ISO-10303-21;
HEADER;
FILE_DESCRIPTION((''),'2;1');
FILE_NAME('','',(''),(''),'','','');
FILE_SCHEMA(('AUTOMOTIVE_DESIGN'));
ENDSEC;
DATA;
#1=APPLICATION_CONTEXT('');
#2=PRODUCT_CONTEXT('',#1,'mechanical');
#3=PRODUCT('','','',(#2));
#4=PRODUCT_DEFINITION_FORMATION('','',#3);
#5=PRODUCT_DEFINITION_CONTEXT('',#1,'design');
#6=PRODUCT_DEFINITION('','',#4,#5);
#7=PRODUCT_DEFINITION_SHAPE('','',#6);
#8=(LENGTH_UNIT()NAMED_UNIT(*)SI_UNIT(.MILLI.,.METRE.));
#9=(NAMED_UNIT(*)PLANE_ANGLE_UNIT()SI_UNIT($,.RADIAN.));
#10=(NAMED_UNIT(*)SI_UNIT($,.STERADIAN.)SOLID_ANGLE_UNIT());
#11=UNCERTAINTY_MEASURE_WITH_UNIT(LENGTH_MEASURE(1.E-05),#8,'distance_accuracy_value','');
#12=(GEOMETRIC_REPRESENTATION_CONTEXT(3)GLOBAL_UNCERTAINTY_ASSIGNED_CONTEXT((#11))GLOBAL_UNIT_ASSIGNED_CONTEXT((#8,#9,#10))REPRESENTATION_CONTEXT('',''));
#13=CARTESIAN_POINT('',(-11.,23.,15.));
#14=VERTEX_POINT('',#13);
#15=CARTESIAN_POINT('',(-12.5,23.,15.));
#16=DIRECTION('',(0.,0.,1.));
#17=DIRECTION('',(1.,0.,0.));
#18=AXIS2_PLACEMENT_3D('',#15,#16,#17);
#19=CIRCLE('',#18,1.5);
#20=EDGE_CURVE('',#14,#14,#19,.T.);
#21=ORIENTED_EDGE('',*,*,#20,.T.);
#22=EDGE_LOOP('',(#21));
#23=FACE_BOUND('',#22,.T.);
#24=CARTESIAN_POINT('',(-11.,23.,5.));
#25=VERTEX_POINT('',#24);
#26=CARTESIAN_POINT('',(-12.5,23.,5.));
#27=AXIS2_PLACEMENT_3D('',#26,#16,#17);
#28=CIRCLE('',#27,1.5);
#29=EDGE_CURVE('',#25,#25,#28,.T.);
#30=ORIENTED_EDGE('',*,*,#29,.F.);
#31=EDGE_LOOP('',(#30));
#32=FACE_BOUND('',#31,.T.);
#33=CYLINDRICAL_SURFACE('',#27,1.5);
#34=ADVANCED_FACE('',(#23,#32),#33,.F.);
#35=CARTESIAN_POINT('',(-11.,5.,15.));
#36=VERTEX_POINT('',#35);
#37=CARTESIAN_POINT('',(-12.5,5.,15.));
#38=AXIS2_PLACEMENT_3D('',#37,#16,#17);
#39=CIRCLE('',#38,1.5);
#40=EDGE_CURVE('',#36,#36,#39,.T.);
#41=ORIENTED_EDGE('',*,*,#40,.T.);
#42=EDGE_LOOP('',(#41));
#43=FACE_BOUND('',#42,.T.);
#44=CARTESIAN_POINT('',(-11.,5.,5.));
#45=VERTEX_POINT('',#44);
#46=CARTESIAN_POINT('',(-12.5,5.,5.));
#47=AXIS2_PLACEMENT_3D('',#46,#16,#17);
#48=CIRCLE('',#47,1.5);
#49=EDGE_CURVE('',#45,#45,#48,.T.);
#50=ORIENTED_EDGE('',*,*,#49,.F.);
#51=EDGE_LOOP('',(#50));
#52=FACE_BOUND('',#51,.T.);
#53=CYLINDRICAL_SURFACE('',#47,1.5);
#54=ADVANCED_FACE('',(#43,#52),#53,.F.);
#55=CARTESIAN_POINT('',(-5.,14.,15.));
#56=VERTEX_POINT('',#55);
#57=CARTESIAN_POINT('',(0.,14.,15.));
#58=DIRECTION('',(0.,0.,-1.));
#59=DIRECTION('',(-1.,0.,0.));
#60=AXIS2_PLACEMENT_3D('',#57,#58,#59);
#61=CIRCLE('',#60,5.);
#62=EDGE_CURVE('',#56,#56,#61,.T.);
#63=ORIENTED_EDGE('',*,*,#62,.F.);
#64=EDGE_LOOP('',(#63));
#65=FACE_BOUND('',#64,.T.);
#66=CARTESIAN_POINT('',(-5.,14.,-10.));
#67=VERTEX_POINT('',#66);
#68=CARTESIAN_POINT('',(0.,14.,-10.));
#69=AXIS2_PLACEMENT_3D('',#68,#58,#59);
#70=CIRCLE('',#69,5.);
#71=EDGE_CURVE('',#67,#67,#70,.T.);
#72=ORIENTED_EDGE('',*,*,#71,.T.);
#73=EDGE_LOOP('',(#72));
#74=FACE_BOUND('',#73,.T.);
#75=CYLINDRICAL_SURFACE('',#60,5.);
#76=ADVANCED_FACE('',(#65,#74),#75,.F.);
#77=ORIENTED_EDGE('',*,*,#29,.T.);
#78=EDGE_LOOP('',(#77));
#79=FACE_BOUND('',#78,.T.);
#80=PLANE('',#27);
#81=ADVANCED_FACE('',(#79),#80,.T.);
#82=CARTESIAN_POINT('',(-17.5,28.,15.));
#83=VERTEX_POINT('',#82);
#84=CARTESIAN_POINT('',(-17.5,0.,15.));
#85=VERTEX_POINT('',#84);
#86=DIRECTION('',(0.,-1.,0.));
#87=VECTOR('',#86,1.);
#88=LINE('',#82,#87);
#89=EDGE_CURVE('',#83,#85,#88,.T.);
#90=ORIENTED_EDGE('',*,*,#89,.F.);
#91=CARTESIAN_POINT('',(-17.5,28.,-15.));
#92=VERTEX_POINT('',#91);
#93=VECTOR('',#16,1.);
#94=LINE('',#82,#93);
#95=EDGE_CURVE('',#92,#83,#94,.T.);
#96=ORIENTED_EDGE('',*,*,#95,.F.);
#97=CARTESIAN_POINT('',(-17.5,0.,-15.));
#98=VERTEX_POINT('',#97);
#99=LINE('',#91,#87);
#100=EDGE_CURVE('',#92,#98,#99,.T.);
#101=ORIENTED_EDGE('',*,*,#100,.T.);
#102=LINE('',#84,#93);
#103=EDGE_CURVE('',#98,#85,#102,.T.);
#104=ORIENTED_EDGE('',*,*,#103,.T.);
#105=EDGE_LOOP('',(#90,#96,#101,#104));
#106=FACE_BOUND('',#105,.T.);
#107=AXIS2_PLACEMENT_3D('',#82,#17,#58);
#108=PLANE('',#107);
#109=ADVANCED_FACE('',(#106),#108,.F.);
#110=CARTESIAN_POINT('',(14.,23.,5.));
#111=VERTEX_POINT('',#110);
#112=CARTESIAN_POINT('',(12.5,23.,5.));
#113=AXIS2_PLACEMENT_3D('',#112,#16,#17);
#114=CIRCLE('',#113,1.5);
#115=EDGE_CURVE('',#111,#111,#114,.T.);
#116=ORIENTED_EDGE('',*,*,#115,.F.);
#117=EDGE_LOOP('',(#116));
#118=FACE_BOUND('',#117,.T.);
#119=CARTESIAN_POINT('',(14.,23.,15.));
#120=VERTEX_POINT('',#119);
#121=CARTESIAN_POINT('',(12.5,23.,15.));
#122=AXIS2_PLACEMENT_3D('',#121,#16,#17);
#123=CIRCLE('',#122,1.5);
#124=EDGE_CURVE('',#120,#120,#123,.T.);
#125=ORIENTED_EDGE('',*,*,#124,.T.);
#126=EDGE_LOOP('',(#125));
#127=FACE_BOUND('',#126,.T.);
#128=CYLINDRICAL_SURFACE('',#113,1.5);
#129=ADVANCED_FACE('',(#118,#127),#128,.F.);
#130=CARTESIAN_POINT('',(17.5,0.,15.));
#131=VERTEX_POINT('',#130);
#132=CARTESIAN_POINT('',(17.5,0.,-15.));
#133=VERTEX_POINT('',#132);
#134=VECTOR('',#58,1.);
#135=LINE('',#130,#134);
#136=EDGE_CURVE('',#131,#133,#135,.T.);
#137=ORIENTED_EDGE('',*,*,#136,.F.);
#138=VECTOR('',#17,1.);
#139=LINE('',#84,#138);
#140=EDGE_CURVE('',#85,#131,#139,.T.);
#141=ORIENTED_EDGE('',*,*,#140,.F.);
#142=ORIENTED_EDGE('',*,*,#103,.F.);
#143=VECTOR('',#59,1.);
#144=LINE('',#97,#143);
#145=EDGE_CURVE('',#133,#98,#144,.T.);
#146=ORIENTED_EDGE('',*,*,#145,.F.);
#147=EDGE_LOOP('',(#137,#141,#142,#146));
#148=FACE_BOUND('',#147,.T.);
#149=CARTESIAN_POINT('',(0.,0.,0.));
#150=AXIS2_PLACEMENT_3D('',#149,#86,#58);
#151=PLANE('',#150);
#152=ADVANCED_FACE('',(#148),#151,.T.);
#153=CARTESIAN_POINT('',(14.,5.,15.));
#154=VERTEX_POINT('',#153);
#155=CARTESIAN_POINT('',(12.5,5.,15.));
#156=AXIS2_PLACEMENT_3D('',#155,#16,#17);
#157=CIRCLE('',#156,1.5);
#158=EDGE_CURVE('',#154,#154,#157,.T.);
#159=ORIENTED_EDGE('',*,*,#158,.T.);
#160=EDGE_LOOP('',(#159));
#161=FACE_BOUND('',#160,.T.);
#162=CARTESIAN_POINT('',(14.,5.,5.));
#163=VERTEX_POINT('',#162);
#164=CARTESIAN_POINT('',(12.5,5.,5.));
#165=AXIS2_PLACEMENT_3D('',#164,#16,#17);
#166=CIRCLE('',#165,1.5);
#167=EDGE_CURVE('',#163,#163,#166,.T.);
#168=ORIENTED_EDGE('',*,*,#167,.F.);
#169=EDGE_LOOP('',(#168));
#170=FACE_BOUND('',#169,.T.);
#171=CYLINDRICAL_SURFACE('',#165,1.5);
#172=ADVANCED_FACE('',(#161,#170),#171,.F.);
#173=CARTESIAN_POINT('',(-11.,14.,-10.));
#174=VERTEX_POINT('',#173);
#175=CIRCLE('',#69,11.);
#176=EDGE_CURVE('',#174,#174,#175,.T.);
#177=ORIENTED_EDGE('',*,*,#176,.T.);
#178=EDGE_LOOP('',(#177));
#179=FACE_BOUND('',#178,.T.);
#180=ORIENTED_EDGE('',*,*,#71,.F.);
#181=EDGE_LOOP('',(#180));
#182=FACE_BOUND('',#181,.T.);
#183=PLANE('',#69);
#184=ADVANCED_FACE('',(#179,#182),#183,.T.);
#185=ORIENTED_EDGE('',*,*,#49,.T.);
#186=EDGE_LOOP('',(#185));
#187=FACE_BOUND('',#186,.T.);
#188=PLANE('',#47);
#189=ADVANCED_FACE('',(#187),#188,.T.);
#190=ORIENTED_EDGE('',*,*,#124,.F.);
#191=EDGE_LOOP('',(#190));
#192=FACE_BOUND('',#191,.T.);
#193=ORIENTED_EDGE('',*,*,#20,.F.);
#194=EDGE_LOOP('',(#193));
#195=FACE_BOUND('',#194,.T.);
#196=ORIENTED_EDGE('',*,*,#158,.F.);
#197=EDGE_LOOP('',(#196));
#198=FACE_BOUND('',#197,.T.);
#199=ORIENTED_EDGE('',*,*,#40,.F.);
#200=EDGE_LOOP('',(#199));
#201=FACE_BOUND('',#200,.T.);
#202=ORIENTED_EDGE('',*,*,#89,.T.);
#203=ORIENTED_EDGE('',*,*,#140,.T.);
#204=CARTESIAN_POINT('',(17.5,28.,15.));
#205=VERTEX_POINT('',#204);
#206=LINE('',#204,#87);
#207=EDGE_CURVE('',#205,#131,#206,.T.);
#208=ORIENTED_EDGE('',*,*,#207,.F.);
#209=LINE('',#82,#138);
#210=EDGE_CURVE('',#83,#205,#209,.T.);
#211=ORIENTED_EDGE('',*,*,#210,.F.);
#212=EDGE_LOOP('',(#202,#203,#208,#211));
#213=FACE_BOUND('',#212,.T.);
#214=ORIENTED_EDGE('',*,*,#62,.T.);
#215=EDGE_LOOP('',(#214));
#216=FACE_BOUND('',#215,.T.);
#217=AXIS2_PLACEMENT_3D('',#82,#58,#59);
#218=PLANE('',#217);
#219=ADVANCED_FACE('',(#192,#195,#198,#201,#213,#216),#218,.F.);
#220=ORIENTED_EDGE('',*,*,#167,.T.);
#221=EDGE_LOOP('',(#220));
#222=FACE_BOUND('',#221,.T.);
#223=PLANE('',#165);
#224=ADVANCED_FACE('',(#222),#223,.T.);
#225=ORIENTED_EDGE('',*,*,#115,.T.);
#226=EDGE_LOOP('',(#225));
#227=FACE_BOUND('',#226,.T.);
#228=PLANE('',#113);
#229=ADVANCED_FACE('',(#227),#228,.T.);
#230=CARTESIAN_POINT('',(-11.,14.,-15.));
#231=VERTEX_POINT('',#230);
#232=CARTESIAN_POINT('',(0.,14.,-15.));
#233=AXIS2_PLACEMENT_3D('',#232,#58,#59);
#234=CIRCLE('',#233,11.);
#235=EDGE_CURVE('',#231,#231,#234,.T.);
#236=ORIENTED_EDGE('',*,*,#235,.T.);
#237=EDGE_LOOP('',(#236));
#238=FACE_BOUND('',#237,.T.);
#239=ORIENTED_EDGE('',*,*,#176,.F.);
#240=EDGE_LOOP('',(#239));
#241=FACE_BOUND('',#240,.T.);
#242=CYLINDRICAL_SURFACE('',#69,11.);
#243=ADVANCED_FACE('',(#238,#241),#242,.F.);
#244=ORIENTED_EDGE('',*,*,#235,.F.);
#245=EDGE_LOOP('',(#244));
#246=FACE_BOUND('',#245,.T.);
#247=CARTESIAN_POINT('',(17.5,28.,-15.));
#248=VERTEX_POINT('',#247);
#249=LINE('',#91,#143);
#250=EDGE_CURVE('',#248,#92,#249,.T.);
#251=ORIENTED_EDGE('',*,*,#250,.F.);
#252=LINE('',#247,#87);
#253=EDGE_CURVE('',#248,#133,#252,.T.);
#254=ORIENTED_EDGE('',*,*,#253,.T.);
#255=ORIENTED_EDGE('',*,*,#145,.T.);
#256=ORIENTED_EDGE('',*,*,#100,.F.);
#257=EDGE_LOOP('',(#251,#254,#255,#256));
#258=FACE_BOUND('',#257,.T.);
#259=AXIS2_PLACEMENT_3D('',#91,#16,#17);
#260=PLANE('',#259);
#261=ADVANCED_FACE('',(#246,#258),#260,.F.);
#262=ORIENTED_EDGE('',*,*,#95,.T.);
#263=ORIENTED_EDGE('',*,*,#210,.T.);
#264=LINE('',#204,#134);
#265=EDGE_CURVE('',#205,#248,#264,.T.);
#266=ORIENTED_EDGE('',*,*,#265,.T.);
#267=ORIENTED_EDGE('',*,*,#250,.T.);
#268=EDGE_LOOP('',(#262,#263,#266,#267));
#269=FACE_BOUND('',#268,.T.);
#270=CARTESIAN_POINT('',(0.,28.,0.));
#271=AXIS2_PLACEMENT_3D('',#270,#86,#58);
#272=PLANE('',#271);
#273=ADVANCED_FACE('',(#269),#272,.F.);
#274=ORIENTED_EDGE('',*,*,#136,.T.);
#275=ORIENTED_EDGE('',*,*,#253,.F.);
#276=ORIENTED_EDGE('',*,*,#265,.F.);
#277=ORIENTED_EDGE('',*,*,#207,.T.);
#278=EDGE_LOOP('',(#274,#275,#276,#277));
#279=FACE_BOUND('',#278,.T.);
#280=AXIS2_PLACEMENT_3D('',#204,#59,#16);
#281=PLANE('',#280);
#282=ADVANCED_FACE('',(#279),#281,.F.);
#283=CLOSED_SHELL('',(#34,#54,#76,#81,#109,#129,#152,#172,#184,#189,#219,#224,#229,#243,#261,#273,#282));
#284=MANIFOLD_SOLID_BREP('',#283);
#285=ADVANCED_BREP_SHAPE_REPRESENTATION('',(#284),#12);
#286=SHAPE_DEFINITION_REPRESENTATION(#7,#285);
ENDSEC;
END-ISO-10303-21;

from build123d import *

# Parameters (mm, degrees)
SKETCH1_W           = 35
SKETCH1_H           = 30
BOSS_EXTRUDE1_DEPTH = 28
SKETCH2_R           = 1.5
CUT_EXTRUDE1_DEPTH  = 10
SKETCH3_R           = 11
CUT_EXTRUDE2_DEPTH  = 5
SKETCH4_R           = 5
CUT_EXTRUDE3_DEPTH  = 42.41557678


with BuildPart() as part:
    # Sketch1 → Boss-Extrude1 (new body)
    with BuildSketch(Plane(origin=(0, 0, 0), x_dir=(1, 0, 0), z_dir=(0, 1, 0))):
        Rectangle(SKETCH1_W, SKETCH1_H)
    extrude(amount=BOSS_EXTRUDE1_DEPTH)

    # Sketch2 → Cut-Extrude1 (cut)
    with BuildSketch(Plane.XY.offset(15)):
        with Locations((-12.5, 23)):
            Circle(SKETCH2_R)
        with Locations((12.5, 23)):
            Circle(SKETCH2_R)
        with Locations((12.5, 5)):
            Circle(SKETCH2_R)
        with Locations((-12.5, 5)):
            Circle(SKETCH2_R)
    extrude(amount=-CUT_EXTRUDE1_DEPTH, mode=Mode.SUBTRACT)

    # Sketch3 → Cut-Extrude2 (cut)
    with BuildSketch(Plane(origin=(0, 0, -15), x_dir=(-1, 0, 0), z_dir=(0, 0, -1))):
        with Locations((0, 14)):
            Circle(SKETCH3_R)
    extrude(amount=-CUT_EXTRUDE2_DEPTH, mode=Mode.SUBTRACT)

    # Sketch4 → Cut-Extrude3 (cut, through all)
    with BuildSketch(Plane(origin=(0, 0, -10), x_dir=(-1, 0, 0), z_dir=(0, 0, -1))):
        with Locations((0, 14)):
            Circle(SKETCH4_R)
    extrude(amount=-CUT_EXTRUDE3_DEPTH, mode=Mode.SUBTRACT)


solid = part.part
